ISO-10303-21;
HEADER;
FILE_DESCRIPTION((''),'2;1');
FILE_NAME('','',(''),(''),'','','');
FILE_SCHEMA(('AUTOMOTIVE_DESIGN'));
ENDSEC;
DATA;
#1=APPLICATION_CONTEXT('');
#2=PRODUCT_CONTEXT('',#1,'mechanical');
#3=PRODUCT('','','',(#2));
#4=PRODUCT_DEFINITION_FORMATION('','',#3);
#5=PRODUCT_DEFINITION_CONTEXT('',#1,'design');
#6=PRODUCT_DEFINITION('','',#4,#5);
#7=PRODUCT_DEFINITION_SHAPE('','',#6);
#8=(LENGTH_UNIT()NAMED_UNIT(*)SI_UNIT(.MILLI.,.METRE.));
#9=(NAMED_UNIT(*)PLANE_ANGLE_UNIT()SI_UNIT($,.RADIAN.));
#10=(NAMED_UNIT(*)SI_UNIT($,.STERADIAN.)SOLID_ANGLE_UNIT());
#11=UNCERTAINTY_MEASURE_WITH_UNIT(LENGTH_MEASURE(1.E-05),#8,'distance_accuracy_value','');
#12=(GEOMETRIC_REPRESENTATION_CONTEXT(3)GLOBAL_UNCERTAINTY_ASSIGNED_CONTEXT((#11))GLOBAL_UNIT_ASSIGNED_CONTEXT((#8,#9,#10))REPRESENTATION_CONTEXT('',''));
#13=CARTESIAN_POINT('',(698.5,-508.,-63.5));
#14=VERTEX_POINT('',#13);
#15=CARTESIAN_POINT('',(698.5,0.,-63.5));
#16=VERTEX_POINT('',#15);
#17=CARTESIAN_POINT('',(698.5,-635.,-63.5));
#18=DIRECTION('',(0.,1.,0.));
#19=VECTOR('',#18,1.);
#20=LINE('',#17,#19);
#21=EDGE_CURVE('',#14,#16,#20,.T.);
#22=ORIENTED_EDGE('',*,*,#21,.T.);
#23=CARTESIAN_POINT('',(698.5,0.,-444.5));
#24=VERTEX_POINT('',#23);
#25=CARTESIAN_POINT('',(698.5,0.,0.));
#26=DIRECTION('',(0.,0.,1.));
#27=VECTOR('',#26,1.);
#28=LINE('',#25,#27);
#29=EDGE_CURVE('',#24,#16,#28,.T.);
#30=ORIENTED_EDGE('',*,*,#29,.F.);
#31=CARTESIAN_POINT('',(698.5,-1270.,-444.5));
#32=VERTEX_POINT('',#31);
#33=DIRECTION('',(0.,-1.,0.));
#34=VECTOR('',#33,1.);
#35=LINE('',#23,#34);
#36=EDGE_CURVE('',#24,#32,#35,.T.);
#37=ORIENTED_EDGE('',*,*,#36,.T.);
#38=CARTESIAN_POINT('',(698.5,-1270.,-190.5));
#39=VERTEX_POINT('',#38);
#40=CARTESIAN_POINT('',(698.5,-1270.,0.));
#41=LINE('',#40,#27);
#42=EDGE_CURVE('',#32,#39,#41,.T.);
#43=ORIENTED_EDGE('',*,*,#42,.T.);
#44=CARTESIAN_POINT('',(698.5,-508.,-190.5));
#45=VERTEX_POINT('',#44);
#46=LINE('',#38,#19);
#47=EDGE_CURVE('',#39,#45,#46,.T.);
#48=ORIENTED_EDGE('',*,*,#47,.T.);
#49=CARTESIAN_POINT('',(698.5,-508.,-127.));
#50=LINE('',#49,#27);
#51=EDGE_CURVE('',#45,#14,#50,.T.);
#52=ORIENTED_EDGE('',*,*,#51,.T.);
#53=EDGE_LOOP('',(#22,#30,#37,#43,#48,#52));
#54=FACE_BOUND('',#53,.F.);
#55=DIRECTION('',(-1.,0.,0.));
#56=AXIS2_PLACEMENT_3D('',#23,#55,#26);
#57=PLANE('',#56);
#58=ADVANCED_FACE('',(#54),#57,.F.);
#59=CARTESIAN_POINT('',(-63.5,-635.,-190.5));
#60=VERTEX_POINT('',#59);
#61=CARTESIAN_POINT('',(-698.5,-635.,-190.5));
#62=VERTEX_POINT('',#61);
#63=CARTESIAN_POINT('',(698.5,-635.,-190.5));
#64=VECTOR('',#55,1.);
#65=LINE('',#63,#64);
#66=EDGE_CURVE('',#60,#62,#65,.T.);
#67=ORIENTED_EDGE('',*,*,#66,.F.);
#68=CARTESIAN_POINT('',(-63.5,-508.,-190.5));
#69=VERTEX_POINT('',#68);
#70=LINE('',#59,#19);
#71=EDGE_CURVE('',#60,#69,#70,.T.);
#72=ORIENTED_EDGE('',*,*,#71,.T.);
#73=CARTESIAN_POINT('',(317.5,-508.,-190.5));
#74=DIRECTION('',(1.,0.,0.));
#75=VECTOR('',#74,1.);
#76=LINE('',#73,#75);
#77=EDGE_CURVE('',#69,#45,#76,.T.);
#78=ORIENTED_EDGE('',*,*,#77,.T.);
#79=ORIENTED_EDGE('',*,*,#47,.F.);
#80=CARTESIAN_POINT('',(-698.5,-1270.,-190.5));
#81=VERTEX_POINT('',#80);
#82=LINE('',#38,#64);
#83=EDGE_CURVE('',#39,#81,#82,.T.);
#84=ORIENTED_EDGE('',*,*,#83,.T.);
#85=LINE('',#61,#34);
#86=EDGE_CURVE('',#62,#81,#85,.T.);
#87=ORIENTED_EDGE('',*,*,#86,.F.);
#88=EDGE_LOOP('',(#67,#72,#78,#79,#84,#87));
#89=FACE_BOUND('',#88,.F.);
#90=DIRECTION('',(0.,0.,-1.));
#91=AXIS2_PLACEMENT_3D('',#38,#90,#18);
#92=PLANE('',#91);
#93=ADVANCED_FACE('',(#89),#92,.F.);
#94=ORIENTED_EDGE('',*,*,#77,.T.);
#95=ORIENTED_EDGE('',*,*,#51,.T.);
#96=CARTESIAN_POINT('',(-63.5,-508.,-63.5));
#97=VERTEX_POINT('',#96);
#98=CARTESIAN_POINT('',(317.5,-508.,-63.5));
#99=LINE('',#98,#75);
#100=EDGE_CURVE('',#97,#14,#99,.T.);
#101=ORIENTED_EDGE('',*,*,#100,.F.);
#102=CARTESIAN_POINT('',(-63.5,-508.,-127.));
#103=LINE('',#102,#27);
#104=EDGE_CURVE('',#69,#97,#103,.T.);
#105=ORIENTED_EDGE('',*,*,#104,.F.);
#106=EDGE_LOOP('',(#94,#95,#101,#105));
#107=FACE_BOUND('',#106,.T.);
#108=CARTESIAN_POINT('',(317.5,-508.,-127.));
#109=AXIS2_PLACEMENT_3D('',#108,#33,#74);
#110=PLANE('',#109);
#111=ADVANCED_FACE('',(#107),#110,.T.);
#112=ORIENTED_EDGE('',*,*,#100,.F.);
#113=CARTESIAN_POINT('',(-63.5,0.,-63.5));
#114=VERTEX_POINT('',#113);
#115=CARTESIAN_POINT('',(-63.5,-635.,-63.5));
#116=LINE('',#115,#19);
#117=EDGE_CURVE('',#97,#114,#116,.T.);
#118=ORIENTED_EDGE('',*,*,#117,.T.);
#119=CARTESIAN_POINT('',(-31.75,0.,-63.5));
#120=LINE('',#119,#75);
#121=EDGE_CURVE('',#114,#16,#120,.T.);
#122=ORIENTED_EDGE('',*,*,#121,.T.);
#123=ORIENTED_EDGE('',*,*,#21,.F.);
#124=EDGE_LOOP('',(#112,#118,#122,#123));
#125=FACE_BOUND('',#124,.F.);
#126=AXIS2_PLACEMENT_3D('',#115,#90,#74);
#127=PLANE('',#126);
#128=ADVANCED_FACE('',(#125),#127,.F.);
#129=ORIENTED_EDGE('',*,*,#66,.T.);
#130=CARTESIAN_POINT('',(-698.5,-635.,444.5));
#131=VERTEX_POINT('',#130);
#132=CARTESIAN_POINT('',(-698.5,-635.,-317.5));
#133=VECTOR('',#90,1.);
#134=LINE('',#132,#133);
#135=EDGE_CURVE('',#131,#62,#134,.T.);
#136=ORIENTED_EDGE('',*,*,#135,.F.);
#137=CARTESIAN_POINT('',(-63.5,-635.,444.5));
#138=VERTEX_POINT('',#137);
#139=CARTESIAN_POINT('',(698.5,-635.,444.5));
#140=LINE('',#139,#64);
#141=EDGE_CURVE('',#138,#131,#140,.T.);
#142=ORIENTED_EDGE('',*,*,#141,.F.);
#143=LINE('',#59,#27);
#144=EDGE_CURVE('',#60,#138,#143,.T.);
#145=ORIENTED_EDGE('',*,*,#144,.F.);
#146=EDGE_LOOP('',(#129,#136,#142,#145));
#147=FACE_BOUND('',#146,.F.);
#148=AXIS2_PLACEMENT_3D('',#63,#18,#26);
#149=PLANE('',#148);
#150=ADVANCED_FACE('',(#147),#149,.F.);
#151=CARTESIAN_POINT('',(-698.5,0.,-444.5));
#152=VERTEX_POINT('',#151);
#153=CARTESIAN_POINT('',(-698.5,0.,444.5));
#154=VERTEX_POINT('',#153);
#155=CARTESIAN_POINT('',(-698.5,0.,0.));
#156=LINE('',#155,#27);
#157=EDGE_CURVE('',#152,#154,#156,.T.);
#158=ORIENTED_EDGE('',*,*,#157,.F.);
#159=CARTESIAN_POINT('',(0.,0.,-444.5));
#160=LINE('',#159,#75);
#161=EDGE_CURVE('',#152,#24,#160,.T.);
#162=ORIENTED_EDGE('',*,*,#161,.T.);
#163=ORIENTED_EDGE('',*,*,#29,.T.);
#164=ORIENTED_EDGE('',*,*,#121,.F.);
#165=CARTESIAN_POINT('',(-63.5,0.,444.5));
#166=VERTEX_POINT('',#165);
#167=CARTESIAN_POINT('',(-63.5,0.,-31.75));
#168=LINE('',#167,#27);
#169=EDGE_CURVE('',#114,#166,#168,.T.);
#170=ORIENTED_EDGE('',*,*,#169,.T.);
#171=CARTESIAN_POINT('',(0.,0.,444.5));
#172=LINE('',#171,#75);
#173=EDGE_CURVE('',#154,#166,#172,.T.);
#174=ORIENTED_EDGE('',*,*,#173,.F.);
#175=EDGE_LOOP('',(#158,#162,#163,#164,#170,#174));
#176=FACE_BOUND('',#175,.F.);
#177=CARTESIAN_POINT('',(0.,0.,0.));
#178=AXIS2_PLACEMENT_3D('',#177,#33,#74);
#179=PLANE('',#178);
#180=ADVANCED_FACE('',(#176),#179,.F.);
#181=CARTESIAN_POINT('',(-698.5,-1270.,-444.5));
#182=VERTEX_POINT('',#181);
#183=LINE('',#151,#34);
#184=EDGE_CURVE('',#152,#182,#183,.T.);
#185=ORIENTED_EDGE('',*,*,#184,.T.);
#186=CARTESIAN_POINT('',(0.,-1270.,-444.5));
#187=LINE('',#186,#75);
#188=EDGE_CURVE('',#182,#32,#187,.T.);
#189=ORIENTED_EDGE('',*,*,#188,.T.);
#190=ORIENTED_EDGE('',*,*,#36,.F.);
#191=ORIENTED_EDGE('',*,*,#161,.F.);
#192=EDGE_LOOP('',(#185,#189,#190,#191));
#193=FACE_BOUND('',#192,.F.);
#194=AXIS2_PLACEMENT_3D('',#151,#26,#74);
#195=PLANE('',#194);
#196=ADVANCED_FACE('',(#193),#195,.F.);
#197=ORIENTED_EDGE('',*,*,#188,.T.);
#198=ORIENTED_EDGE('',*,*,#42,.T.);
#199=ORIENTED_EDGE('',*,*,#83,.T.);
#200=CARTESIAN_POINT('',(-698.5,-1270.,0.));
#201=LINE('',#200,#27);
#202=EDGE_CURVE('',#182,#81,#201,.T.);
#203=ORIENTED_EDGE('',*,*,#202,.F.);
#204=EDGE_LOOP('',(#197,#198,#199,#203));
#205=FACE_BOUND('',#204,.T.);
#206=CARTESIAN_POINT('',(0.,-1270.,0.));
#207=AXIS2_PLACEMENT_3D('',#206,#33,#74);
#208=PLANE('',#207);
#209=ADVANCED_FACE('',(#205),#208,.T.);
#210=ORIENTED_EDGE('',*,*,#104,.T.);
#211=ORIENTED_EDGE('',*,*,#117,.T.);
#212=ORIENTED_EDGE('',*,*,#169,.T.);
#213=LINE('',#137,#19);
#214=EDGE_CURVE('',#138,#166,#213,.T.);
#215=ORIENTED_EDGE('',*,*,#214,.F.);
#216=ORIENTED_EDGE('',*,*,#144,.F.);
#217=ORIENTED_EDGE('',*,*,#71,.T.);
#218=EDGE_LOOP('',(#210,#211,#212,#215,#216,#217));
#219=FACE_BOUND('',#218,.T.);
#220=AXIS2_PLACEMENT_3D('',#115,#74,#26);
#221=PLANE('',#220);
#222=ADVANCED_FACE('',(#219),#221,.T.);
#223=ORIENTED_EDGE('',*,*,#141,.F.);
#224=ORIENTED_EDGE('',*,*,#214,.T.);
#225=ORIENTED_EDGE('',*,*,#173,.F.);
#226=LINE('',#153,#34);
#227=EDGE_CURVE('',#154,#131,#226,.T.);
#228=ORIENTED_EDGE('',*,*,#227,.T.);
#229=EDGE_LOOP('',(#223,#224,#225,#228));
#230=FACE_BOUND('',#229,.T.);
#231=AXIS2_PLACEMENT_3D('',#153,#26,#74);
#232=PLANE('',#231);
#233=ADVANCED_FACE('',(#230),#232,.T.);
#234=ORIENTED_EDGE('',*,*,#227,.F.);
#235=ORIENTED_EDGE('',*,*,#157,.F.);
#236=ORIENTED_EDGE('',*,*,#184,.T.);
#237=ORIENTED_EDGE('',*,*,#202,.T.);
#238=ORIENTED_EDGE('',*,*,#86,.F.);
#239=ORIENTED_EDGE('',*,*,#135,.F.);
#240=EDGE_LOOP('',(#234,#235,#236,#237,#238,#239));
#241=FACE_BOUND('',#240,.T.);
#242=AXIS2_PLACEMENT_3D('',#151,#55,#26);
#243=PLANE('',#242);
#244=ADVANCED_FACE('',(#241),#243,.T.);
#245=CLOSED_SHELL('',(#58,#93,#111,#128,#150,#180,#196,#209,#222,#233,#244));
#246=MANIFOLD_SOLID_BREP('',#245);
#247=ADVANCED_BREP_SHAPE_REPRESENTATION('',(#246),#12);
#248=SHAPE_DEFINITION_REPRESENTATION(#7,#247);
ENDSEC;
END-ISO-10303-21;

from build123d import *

# Parameters (mm, degrees)
F0_W     = 1397
F0_H     = 889
F1_DEPTH = 1270
F2_W     = 635
F2_H     = 635
F3_DEPTH = 1397.001
F4_W     = 762
F4_H     = 508
F5_DEPTH = 635.001
F6_W     = 762
F6_H     = 127
F7_DEPTH = 127


with BuildPart() as f1:
    # F0 (on Front) → F1 (new body)
    with BuildSketch(Plane.XZ):
        Rectangle(F0_W, F0_H)
    extrude(amount=F1_DEPTH)

    # F2 (on face) → F3 (cut, through all)
    with BuildSketch(Plane.YZ.offset(698.5)):
        with Locations((-952.5, 127)):
            Rectangle(F2_W, F2_H)
    extrude(amount=-F3_DEPTH, mode=Mode.SUBTRACT)

    # F4 (on face) → F5 (cut, through all)
    with BuildSketch(Plane.XZ.offset(635)):
        with Locations((317.5, 190.5)):
            Rectangle(F4_W, F4_H)
    extrude(amount=-F5_DEPTH, mode=Mode.SUBTRACT)

    # F6 (on face) → F7 (cut)
    with BuildSketch(Plane.XZ.offset(635)):
        with Locations((317.5, -127)):
            Rectangle(F6_W, F6_H)
    extrude(amount=-F7_DEPTH, mode=Mode.SUBTRACT)


solid = f1.part
